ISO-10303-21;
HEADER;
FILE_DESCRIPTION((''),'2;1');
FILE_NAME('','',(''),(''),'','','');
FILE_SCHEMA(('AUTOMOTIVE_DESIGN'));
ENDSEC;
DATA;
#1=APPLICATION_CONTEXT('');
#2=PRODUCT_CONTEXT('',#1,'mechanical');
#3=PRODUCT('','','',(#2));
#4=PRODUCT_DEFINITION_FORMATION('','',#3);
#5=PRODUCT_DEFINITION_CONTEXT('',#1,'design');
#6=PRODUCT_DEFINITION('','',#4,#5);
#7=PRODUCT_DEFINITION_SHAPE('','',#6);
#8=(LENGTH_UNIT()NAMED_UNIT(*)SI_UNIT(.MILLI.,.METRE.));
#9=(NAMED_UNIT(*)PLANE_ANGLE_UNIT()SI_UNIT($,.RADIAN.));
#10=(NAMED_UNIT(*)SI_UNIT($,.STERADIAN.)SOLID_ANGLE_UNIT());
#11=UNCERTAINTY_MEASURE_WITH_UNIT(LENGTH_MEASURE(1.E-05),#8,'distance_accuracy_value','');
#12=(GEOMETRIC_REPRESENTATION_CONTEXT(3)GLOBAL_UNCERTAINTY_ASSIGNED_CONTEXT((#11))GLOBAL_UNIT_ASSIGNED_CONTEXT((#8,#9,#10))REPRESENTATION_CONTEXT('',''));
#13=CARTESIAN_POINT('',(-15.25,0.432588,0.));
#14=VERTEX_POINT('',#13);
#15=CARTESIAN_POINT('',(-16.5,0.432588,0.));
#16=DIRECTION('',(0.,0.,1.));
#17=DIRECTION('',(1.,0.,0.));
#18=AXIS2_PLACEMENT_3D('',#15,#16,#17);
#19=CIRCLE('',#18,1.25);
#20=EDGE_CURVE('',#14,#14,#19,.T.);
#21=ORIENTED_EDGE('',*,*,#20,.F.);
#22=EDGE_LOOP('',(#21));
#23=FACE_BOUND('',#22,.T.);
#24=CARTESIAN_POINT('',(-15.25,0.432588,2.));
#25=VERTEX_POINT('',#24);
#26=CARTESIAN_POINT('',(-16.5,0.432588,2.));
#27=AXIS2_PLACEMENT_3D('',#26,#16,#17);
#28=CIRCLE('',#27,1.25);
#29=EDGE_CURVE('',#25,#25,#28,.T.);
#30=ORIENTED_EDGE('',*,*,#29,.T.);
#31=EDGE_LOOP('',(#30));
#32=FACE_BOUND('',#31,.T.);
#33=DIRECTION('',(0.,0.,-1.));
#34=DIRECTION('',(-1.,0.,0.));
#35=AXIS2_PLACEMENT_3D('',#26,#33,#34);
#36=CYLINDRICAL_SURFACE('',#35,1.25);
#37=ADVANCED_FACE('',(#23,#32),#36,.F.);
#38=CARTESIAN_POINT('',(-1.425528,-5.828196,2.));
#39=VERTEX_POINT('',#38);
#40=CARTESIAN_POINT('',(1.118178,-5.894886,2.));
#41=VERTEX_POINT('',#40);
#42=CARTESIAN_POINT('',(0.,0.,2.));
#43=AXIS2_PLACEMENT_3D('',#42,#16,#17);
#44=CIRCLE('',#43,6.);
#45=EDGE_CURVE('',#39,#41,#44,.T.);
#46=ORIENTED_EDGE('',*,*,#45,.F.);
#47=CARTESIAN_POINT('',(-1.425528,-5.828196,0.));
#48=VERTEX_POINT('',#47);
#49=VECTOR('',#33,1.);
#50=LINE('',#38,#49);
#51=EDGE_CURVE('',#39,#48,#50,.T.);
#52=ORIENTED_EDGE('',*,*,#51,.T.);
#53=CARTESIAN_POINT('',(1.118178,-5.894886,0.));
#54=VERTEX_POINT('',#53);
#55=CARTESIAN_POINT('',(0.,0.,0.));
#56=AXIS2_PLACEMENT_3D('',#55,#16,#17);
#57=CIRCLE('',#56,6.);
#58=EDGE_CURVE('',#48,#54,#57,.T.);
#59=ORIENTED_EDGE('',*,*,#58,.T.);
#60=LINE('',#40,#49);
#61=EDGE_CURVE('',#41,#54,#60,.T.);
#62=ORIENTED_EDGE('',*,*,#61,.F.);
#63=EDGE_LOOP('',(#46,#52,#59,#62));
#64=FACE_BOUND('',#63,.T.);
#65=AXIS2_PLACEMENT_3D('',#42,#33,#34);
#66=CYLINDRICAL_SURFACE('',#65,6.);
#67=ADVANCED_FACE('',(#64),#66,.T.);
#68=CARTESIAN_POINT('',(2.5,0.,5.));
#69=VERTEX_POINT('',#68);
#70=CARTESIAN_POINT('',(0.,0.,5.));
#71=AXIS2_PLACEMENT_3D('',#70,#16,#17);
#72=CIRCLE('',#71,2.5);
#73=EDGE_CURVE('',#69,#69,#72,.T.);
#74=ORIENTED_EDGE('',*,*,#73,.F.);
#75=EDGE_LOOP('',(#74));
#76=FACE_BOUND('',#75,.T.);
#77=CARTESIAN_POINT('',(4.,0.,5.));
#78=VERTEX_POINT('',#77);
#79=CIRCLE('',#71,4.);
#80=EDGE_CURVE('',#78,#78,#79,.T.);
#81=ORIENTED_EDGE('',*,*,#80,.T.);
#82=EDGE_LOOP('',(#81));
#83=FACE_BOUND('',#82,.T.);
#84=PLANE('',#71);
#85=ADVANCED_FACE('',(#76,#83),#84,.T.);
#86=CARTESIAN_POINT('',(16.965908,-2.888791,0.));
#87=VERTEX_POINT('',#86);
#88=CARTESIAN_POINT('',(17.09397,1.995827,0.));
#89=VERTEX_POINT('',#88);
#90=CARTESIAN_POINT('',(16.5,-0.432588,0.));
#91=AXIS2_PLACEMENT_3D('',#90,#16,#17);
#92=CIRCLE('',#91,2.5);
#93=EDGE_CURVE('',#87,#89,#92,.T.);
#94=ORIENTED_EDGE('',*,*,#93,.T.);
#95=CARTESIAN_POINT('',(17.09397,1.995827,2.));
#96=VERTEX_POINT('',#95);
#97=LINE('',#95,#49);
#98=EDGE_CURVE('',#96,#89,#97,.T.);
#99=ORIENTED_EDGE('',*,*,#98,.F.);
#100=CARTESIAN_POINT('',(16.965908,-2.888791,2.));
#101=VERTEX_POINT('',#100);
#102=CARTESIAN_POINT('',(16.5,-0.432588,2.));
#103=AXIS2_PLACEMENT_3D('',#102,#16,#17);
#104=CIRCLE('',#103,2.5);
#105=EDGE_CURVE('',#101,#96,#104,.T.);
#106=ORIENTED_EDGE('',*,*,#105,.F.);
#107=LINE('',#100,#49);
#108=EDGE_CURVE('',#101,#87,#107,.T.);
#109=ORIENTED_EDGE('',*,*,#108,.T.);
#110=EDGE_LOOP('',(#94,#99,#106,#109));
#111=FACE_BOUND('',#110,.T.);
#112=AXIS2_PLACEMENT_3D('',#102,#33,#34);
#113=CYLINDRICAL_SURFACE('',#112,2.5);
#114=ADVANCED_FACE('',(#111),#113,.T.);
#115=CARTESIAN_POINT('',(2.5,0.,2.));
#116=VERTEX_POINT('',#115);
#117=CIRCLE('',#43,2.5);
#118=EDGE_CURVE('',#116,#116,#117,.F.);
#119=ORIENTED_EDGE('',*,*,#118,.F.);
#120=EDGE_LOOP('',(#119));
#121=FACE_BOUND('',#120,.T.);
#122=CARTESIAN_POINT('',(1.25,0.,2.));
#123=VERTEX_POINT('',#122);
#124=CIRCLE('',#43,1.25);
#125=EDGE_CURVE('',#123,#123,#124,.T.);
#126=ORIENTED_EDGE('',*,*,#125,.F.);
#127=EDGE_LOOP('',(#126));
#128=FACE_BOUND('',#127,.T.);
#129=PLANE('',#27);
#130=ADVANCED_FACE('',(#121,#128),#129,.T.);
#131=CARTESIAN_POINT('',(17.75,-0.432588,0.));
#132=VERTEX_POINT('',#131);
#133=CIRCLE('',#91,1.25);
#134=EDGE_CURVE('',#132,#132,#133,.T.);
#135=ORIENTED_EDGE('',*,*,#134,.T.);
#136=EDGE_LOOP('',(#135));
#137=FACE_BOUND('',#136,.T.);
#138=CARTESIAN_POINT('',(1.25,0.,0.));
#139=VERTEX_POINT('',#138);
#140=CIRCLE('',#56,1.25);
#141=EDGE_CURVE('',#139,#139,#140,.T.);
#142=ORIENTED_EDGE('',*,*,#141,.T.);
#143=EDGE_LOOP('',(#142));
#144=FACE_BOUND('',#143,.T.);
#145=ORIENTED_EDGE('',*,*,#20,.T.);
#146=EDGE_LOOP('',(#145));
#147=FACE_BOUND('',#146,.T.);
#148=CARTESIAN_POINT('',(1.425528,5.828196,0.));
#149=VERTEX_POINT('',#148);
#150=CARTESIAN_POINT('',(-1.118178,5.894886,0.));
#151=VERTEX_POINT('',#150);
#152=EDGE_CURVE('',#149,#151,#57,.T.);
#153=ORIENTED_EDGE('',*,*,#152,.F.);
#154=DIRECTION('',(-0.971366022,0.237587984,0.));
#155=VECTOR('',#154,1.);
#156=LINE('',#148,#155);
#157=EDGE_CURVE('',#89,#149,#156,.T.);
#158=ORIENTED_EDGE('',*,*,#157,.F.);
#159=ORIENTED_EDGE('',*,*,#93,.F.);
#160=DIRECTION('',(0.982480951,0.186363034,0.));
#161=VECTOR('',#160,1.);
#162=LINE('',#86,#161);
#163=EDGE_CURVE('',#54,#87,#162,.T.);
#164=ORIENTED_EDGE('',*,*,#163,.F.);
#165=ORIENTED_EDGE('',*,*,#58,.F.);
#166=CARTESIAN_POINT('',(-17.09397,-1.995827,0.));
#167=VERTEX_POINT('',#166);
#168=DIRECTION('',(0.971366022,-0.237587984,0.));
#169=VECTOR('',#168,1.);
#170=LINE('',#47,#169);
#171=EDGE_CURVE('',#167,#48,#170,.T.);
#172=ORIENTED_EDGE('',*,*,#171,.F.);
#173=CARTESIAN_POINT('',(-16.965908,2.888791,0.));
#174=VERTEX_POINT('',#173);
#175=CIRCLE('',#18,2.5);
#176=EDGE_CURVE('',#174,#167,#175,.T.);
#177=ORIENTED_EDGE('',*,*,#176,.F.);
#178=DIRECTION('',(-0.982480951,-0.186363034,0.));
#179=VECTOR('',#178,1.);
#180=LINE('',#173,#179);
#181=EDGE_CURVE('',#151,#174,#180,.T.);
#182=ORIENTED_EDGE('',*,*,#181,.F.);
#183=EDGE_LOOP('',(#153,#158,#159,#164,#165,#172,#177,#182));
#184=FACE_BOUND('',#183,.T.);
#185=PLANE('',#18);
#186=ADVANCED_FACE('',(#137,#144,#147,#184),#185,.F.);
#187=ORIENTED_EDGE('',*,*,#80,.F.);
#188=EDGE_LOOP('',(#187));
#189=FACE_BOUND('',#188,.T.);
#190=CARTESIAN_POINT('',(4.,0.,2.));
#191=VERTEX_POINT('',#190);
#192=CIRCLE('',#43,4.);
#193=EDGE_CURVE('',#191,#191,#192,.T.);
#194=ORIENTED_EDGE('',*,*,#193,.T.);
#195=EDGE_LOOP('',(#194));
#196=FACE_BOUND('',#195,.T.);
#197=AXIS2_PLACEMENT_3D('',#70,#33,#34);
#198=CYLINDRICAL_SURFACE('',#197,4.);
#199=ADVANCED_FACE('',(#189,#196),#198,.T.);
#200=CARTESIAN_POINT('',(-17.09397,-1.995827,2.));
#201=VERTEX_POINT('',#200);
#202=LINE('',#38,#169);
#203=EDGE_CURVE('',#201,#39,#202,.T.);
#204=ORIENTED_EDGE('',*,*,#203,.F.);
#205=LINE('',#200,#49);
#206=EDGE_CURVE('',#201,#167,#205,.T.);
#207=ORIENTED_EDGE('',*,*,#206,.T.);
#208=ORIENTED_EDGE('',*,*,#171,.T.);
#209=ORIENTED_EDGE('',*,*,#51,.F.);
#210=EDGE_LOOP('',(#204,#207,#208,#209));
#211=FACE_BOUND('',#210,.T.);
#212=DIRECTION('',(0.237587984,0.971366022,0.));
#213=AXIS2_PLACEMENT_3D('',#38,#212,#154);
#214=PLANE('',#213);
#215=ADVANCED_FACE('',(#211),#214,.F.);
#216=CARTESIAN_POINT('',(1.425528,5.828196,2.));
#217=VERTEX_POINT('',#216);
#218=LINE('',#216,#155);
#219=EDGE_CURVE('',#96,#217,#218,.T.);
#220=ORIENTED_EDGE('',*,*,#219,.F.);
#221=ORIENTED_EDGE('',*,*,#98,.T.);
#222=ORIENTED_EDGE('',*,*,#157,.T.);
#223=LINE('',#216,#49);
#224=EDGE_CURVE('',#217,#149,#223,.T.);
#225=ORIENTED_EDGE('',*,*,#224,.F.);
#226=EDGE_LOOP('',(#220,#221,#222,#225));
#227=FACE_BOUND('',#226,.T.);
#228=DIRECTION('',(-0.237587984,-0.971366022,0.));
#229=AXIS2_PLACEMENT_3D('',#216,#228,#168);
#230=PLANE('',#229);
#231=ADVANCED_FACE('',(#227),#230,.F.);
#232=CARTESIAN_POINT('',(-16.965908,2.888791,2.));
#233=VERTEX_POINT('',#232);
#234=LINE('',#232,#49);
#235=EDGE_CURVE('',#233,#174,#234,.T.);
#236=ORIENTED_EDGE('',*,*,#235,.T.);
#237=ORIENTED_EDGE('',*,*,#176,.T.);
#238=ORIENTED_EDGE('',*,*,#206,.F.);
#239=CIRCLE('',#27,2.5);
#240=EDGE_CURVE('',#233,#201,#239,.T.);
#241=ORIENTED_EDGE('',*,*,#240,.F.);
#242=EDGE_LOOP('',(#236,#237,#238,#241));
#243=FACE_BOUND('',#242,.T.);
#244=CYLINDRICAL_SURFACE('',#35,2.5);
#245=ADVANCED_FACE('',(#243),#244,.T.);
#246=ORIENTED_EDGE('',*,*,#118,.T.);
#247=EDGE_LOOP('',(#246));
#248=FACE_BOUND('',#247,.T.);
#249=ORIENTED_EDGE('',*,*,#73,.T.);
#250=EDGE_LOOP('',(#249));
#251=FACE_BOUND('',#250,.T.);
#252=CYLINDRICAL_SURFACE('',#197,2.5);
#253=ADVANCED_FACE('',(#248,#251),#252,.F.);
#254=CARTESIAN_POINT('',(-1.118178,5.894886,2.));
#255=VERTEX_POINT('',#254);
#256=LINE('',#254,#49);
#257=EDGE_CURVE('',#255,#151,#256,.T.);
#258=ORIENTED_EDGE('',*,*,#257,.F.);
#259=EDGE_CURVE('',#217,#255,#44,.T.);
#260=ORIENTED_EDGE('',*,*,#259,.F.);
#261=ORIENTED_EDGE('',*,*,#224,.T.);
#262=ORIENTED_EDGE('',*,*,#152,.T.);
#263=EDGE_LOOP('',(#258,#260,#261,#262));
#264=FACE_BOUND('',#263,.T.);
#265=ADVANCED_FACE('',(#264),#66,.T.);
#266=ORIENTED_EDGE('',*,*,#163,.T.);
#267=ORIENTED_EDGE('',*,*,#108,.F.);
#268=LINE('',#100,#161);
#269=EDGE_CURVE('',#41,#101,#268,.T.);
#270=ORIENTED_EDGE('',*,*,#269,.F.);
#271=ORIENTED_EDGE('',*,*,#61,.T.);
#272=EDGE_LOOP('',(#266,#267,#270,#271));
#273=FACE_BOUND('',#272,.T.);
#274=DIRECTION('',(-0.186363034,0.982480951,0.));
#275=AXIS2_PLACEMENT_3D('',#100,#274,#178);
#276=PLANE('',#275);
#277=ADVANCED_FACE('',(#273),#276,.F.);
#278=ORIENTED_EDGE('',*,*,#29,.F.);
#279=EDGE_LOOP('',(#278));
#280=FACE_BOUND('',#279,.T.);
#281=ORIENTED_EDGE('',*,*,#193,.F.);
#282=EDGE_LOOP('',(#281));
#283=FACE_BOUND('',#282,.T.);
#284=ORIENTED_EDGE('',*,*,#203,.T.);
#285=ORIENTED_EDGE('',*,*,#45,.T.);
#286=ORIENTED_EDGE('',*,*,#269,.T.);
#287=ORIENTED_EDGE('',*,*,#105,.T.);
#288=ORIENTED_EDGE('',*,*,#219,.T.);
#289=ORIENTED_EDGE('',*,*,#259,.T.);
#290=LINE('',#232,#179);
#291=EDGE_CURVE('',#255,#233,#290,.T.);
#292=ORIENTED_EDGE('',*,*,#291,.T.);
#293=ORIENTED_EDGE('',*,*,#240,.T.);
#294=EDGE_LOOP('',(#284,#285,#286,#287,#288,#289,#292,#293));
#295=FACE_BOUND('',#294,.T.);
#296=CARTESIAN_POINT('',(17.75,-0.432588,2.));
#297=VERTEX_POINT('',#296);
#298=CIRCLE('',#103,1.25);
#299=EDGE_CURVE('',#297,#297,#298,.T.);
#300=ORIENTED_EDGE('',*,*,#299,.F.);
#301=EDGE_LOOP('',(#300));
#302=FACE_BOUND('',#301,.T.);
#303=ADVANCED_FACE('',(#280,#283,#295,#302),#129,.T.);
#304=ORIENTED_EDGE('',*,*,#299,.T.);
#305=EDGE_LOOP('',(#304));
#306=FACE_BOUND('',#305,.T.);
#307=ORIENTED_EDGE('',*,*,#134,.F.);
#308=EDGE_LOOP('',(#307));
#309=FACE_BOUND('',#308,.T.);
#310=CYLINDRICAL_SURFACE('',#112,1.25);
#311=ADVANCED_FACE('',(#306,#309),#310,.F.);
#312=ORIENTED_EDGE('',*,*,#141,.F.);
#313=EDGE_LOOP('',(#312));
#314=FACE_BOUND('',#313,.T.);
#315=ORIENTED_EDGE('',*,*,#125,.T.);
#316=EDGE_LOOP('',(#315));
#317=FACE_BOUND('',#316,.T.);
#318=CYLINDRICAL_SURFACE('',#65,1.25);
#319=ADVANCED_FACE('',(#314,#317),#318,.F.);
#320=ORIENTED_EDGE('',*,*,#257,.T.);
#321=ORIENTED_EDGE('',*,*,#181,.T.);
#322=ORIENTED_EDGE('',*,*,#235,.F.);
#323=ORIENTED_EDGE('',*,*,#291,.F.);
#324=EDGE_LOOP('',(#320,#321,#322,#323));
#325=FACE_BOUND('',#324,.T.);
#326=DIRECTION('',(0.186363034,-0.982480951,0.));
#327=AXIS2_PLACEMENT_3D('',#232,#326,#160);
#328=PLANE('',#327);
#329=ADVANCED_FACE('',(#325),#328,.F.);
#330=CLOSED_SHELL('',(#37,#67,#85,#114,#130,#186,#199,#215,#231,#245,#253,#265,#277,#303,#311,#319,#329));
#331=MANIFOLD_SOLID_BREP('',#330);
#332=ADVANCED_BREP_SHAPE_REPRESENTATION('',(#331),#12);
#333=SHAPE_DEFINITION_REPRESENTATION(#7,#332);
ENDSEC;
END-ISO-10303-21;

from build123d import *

# Parameters (mm, degrees)
SKETCH1_R           = 1.25
BOSS_EXTRUDE1_DEPTH = 2
SKETCH2_R           = 4
SKETCH2_R_2         = 2.5
BOSS_EXTRUDE2_DEPTH = 3


with BuildPart() as part:
    # Sketch1 → Boss-Extrude1 (new body)
    with BuildSketch(Plane.XY):
        with BuildLine():
            Line((-16.965907586, 2.88879085), (-1.118178206, 5.894885707))
            ThreePointArc((-1.118178206, 5.894885707), (0.157250865, 5.997938993), (1.425527907, 5.828196135))
            Line((1.425527907, 5.828196135), (17.093969961, 1.995826584))
            ThreePointArc((17.093969961, 1.995826584), (18.999141247, -0.498109666), (16.965907586, -2.88879085))
            Line((16.965907586, -2.88879085), (1.118178206, -5.894885707))
            ThreePointArc((1.118178206, -5.894885707), (-0.157250865, -5.997938993), (-1.425527907, -5.828196135))
            Line((-1.425527907, -5.828196135), (-17.093969961, -1.995826584))
            ThreePointArc((-17.093969961, -1.995826584), (-18.999141247, 0.498109666), (-16.965907586, 2.88879085))
        make_face()
        with Locations((-16.5, 0.432588472)):
            Circle(SKETCH1_R, mode=Mode.SUBTRACT)
        with Locations((16.5, -0.432588472)):
            Circle(SKETCH1_R, mode=Mode.SUBTRACT)
        Circle(SKETCH1_R, mode=Mode.SUBTRACT)
    extrude(amount=BOSS_EXTRUDE1_DEPTH)

    # Sketch2 → Boss-Extrude2 (add)
    with BuildSketch(Plane.XY.offset(2)):
        Circle(SKETCH2_R)
        Circle(SKETCH2_R_2, mode=Mode.SUBTRACT)
    extrude(amount=BOSS_EXTRUDE2_DEPTH)


solid = part.part
